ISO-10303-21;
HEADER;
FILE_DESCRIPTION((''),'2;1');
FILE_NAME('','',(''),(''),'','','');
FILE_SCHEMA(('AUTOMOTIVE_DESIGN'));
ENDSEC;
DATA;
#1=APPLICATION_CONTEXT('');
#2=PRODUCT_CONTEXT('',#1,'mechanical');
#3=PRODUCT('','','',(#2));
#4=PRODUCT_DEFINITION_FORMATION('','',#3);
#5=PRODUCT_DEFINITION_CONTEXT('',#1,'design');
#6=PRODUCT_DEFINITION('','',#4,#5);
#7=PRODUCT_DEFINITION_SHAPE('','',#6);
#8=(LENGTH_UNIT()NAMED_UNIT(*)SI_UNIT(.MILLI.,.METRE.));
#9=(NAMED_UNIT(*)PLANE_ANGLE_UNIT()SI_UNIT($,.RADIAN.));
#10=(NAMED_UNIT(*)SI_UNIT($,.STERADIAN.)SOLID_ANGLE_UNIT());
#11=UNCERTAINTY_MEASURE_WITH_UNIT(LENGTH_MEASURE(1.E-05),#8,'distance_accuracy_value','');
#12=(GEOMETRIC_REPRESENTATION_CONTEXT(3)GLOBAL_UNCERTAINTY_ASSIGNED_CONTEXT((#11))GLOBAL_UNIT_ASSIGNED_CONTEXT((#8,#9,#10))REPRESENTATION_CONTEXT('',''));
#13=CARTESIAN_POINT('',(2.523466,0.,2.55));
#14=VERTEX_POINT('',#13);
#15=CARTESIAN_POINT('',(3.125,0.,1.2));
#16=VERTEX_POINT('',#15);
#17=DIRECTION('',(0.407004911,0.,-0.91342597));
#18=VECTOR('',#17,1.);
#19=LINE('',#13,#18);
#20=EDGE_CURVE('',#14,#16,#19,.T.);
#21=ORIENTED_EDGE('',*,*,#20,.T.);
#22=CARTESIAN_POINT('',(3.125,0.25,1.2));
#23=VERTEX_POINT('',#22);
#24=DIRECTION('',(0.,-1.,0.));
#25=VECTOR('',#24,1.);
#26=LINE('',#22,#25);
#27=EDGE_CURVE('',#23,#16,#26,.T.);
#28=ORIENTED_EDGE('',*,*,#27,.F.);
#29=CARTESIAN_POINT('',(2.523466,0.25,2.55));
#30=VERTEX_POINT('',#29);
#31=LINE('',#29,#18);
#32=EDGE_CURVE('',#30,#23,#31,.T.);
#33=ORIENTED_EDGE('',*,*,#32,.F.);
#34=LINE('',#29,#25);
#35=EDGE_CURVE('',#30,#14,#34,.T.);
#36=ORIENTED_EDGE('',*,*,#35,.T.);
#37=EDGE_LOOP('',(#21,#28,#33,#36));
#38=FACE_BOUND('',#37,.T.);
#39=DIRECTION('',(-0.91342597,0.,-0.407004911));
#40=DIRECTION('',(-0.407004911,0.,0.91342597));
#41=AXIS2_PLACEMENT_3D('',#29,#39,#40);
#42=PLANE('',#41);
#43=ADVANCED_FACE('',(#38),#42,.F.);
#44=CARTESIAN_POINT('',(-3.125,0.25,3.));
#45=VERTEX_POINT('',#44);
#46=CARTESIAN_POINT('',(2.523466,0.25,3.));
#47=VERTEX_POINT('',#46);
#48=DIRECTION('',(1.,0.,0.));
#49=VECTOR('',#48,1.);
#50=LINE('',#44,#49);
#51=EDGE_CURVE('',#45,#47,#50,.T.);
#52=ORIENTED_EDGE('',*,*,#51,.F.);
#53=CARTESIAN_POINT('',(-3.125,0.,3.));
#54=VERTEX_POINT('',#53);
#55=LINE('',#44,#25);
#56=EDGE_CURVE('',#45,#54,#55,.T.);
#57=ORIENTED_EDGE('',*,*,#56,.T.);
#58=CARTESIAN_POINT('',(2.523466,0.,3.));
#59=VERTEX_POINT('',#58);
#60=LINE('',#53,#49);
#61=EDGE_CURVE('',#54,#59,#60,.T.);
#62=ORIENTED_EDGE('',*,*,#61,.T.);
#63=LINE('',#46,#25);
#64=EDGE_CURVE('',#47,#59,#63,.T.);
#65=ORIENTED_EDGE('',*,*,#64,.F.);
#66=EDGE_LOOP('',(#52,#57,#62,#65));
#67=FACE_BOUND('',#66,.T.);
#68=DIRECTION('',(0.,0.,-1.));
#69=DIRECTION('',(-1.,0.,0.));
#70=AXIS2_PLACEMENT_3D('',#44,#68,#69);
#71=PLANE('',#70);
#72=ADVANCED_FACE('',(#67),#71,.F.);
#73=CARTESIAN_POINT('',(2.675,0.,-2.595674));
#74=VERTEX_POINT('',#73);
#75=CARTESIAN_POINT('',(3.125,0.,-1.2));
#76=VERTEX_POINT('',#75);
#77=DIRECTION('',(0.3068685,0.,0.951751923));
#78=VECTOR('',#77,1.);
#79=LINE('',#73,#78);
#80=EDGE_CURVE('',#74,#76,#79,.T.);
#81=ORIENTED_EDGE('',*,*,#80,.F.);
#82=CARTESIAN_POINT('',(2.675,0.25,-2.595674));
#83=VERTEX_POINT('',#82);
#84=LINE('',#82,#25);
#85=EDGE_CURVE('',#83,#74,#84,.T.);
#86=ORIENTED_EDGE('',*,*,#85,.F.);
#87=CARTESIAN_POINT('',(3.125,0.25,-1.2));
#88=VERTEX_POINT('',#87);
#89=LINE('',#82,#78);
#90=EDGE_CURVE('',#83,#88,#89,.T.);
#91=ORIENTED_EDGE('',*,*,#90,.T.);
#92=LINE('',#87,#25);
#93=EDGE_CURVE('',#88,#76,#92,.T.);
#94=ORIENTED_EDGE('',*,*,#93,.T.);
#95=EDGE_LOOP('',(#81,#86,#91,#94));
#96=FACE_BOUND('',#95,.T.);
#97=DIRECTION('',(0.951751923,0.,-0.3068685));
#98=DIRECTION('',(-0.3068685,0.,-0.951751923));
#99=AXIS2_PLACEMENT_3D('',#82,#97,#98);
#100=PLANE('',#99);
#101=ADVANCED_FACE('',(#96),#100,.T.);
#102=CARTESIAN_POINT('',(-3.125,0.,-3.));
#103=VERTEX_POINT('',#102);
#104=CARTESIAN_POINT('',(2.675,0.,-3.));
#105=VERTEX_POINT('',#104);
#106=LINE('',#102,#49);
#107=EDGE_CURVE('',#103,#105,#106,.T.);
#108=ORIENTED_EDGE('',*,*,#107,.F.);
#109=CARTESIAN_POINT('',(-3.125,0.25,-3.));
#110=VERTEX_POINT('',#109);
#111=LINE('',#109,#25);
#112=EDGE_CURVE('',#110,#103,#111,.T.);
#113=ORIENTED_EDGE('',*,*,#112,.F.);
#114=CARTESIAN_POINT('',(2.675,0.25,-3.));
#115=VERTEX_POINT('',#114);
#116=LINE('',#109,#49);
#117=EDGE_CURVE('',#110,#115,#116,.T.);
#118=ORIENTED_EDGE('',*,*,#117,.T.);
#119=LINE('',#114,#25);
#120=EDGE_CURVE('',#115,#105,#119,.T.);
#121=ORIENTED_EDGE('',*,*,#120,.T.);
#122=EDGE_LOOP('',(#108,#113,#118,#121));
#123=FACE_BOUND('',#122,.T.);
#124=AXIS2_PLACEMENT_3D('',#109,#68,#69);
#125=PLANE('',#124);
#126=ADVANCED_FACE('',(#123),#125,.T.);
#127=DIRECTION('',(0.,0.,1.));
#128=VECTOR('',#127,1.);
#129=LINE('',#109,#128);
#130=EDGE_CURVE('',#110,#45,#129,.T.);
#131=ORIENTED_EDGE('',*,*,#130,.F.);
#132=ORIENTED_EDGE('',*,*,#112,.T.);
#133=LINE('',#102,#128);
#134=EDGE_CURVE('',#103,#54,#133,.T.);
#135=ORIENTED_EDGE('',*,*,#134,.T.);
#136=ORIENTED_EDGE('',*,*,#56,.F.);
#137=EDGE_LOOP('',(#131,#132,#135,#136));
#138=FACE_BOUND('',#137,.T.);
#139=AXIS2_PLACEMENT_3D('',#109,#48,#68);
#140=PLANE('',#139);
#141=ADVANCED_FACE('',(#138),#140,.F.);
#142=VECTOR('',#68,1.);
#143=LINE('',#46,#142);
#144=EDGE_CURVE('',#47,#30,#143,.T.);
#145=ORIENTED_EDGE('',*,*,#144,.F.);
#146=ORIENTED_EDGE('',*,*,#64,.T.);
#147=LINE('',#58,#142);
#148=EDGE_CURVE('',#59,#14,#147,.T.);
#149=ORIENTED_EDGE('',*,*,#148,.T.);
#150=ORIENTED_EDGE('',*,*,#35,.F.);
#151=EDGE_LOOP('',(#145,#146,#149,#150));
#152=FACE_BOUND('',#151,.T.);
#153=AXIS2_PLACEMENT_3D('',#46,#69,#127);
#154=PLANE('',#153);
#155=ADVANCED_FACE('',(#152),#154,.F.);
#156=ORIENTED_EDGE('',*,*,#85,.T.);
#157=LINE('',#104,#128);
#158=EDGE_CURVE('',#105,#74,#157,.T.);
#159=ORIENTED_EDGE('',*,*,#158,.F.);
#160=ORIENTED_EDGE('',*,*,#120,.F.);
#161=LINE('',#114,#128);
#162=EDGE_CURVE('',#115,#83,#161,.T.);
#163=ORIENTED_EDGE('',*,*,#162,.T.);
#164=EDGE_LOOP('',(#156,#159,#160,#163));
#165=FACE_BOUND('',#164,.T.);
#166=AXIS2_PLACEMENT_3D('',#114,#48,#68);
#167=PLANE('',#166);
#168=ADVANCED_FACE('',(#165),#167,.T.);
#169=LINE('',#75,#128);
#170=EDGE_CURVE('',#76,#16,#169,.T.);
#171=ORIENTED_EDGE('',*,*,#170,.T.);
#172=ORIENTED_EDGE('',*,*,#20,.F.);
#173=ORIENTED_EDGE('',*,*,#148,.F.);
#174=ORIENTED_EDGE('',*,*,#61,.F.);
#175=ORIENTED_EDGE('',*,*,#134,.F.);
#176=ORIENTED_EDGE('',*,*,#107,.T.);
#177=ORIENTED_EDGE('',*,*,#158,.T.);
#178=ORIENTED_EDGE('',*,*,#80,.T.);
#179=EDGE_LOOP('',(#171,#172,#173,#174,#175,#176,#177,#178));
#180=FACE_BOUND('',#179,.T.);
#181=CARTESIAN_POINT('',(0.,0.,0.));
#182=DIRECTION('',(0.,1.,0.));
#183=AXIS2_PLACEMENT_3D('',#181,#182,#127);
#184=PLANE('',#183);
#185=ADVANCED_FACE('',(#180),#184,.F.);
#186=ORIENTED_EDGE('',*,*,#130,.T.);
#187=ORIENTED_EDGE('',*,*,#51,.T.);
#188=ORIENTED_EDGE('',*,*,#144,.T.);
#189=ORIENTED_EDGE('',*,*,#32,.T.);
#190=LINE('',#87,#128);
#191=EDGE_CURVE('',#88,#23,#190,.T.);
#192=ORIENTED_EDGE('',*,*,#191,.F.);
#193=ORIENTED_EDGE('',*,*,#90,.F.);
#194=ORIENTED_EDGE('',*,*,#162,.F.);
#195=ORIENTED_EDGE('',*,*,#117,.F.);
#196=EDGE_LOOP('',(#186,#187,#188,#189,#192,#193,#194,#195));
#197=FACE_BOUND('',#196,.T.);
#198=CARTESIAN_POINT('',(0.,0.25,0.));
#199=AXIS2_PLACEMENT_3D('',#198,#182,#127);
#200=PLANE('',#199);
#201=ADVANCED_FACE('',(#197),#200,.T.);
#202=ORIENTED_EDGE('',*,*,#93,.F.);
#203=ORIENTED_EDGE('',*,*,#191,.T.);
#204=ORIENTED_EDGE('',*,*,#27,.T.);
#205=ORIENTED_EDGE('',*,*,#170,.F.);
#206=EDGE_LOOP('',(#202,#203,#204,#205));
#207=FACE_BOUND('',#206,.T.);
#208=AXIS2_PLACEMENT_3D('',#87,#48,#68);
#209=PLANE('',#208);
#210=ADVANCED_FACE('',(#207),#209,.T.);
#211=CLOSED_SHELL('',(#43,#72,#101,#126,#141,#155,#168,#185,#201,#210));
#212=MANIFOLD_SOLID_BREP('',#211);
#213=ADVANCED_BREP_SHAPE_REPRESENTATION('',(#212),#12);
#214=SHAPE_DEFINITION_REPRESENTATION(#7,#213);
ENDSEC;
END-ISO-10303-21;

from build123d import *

# Parameters (mm, degrees)
BOSS_EXTRUDE1_DEPTH = 0.25


with BuildPart() as part:
    # Sketch1 → Boss-Extrude1 (new body)
    with BuildSketch(Plane(origin=(0, 0, 0), x_dir=(1, 0, 0), z_dir=(0, 1, 0))):
        Polygon((2.675, 3), (2.675, 2.595673931), (3.125, 1.2), (3.125, -1.2), (2.523466161, -2.55), (2.523466161, -3), (-3.125, -3), (-3.125, 3), align=None)
    extrude(amount=BOSS_EXTRUDE1_DEPTH)


solid = part.part
